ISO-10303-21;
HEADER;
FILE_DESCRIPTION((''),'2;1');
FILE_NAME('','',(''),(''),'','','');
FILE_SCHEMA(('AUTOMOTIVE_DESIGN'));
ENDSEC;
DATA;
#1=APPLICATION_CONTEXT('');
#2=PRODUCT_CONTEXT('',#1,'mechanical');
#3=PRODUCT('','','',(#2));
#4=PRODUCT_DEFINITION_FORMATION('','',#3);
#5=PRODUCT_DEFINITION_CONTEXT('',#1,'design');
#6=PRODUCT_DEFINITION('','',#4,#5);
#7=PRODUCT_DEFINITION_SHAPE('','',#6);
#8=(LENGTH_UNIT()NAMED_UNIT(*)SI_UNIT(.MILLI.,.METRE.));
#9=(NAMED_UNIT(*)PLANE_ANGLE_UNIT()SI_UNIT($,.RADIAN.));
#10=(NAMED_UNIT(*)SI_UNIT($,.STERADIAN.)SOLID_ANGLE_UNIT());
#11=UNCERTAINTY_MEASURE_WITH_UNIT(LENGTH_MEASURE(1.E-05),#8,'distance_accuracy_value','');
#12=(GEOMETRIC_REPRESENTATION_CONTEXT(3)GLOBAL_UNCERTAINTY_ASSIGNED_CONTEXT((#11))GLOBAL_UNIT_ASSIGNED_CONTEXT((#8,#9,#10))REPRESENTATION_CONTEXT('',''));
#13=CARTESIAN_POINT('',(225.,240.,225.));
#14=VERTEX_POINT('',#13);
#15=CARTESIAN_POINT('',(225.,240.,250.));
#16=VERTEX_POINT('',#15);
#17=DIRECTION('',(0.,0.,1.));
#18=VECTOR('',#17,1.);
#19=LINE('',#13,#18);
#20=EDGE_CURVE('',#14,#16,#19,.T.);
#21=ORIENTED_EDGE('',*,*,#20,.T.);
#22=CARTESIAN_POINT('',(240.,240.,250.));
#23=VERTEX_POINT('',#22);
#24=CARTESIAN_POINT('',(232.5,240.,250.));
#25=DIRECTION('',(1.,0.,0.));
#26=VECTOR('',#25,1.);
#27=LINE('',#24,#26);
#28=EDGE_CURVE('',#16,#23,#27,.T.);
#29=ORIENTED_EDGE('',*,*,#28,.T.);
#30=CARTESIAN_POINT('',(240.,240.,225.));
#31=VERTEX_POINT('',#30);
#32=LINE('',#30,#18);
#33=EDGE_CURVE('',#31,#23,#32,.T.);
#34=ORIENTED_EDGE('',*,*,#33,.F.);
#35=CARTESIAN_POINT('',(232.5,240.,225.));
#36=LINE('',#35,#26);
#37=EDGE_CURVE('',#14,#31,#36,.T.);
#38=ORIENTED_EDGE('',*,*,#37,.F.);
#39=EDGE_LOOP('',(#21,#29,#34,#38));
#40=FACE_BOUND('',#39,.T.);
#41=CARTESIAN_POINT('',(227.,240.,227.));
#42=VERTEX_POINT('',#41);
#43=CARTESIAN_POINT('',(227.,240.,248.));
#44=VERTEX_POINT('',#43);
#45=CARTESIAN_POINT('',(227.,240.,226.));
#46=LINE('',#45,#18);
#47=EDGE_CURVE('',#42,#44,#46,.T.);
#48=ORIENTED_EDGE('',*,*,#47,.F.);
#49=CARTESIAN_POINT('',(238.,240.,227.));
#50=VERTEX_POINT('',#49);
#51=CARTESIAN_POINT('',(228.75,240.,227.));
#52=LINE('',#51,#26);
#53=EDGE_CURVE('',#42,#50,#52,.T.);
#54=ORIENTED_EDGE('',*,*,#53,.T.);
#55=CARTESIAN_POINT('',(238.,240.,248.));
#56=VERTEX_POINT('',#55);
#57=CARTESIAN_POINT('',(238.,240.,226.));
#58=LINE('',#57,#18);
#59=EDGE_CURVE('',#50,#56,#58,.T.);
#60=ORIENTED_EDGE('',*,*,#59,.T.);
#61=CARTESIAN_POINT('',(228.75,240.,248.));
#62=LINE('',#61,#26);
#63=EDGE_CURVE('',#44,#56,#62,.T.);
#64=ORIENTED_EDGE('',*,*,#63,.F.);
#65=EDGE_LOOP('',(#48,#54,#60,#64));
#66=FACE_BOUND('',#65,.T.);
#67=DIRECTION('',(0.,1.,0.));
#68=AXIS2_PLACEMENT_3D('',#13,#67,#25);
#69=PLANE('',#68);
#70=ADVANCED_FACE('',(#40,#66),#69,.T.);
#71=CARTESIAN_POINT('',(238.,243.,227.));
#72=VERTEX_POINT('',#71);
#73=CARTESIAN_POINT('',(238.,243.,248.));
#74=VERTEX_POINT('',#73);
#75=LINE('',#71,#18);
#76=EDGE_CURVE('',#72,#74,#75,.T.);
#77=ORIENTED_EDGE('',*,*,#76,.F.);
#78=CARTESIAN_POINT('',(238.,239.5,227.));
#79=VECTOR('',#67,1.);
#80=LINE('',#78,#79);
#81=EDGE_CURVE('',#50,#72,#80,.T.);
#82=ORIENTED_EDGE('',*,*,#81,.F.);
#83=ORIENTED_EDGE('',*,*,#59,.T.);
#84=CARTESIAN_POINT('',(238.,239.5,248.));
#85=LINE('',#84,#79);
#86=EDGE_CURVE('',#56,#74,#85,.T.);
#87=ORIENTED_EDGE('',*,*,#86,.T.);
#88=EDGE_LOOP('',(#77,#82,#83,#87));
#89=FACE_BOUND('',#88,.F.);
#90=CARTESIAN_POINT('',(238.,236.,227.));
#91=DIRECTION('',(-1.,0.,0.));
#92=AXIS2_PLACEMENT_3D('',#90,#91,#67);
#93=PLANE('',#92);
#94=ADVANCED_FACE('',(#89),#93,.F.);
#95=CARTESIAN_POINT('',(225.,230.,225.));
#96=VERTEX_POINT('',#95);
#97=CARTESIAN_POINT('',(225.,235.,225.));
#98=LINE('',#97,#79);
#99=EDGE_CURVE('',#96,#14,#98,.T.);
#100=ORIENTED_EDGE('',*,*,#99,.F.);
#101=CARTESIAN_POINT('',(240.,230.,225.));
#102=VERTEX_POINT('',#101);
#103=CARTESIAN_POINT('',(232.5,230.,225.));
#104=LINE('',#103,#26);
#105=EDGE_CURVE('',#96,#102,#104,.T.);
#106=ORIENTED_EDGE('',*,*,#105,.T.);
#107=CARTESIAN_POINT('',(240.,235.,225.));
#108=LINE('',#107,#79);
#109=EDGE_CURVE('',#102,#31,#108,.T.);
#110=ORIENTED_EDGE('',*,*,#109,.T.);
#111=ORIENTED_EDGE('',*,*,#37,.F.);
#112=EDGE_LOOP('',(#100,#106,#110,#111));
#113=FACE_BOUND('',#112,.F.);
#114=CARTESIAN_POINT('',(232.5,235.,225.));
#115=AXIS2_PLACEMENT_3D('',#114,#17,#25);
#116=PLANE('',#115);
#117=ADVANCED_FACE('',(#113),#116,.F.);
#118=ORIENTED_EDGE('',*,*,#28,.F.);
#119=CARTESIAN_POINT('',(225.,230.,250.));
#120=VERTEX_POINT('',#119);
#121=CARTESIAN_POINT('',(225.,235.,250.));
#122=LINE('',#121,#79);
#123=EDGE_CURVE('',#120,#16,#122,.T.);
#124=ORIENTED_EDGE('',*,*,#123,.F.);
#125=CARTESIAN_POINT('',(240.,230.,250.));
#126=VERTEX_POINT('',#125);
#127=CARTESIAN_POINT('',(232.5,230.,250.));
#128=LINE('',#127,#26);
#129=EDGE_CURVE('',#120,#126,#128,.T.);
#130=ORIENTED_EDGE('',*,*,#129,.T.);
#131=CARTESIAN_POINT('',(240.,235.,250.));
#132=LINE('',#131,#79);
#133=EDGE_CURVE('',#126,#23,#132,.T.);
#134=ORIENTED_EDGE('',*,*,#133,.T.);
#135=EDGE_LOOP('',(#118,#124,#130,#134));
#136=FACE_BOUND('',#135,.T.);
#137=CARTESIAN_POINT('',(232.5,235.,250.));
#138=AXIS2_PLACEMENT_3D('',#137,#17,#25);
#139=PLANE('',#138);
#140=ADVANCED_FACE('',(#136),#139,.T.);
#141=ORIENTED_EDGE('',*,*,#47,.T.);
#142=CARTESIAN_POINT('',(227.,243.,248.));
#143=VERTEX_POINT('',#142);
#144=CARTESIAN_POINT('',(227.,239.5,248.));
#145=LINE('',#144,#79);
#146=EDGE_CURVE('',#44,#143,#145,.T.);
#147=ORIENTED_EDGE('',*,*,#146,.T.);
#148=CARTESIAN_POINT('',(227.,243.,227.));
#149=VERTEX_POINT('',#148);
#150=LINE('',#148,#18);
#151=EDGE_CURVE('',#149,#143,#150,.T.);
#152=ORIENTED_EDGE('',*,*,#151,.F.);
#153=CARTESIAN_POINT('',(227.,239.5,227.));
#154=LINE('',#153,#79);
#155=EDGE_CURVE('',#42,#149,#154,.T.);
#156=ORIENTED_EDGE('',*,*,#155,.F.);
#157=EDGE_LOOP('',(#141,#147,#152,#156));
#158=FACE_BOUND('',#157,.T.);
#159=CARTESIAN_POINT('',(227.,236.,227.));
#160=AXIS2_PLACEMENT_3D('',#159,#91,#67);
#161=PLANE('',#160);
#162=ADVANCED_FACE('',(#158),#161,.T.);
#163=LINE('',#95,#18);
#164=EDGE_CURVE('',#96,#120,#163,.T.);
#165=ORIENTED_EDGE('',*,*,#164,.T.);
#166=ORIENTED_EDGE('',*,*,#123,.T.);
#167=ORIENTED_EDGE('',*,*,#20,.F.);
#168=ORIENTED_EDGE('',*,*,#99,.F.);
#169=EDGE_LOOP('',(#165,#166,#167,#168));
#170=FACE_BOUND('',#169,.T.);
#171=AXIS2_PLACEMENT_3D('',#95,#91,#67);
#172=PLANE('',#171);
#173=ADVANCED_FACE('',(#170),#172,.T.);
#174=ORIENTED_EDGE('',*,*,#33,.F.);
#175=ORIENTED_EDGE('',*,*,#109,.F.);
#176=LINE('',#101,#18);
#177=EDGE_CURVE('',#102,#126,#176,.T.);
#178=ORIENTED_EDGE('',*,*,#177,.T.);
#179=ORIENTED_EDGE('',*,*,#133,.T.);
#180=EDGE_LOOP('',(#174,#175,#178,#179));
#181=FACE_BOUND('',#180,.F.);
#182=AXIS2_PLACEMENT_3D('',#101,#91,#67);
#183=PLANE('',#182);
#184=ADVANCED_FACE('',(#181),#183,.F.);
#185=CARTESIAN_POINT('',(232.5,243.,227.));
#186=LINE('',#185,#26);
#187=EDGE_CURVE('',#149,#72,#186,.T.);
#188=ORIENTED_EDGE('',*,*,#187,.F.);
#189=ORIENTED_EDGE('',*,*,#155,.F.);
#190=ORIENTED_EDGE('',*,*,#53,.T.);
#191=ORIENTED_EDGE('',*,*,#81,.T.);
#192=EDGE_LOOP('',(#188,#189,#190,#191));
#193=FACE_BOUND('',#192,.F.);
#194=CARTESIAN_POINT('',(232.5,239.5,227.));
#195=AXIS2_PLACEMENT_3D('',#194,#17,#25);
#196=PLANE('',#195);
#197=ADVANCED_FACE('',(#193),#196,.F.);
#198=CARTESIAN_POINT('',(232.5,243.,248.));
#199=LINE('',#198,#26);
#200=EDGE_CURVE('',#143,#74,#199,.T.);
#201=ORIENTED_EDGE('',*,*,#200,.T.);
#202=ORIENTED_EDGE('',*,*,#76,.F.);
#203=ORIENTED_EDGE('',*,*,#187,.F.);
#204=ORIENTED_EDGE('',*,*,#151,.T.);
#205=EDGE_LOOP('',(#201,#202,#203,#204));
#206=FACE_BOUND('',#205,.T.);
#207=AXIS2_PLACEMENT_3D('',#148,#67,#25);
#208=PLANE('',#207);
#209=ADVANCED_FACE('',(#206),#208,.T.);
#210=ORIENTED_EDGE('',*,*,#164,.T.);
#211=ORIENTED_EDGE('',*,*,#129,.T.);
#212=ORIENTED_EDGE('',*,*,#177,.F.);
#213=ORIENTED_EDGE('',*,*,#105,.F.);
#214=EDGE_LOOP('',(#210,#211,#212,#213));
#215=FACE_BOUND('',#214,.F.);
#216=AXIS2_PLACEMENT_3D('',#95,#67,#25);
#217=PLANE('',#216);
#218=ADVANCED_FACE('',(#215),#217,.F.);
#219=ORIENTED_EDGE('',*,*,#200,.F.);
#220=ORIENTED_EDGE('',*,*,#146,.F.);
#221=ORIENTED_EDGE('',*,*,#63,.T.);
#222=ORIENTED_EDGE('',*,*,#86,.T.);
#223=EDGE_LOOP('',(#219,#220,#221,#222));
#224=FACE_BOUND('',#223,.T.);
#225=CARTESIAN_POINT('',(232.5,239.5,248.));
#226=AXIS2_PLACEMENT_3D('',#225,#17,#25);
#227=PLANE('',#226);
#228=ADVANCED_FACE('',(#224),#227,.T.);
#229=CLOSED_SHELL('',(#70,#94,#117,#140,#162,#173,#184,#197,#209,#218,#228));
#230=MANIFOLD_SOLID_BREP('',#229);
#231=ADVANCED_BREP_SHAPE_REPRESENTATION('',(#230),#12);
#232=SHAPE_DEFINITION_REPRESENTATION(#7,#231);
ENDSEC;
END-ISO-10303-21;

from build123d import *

# Parameters (mm, degrees)
BOX013_W     = 11
BOX013_H     = 7
BOX013_DEPTH = 21
BOX012_W     = 15
BOX012_H     = 10
BOX012_DEPTH = 25


with BuildPart() as box013:
    # Box013 → Box013 (new body)
    with BuildSketch(Plane(origin=(227, 236, 227), x_dir=(1, 0, 0), z_dir=(0, 0, 1))):
        with Locations((5.5, 3.5)):
            Rectangle(BOX013_W, BOX013_H)
    extrude(amount=BOX013_DEPTH)


with BuildPart() as fan_switch:
    # Box012 → Box012 (new body)
    with BuildSketch(Plane(origin=(225, 230, 225), x_dir=(1, 0, 0), z_dir=(0, 0, 1))):
        with Locations((7.5, 5)):
            Rectangle(BOX012_W, BOX012_H)
    extrude(amount=BOX012_DEPTH)

    # Fusion003: union Box013
    add(box013.part)


solid = fan_switch.part
